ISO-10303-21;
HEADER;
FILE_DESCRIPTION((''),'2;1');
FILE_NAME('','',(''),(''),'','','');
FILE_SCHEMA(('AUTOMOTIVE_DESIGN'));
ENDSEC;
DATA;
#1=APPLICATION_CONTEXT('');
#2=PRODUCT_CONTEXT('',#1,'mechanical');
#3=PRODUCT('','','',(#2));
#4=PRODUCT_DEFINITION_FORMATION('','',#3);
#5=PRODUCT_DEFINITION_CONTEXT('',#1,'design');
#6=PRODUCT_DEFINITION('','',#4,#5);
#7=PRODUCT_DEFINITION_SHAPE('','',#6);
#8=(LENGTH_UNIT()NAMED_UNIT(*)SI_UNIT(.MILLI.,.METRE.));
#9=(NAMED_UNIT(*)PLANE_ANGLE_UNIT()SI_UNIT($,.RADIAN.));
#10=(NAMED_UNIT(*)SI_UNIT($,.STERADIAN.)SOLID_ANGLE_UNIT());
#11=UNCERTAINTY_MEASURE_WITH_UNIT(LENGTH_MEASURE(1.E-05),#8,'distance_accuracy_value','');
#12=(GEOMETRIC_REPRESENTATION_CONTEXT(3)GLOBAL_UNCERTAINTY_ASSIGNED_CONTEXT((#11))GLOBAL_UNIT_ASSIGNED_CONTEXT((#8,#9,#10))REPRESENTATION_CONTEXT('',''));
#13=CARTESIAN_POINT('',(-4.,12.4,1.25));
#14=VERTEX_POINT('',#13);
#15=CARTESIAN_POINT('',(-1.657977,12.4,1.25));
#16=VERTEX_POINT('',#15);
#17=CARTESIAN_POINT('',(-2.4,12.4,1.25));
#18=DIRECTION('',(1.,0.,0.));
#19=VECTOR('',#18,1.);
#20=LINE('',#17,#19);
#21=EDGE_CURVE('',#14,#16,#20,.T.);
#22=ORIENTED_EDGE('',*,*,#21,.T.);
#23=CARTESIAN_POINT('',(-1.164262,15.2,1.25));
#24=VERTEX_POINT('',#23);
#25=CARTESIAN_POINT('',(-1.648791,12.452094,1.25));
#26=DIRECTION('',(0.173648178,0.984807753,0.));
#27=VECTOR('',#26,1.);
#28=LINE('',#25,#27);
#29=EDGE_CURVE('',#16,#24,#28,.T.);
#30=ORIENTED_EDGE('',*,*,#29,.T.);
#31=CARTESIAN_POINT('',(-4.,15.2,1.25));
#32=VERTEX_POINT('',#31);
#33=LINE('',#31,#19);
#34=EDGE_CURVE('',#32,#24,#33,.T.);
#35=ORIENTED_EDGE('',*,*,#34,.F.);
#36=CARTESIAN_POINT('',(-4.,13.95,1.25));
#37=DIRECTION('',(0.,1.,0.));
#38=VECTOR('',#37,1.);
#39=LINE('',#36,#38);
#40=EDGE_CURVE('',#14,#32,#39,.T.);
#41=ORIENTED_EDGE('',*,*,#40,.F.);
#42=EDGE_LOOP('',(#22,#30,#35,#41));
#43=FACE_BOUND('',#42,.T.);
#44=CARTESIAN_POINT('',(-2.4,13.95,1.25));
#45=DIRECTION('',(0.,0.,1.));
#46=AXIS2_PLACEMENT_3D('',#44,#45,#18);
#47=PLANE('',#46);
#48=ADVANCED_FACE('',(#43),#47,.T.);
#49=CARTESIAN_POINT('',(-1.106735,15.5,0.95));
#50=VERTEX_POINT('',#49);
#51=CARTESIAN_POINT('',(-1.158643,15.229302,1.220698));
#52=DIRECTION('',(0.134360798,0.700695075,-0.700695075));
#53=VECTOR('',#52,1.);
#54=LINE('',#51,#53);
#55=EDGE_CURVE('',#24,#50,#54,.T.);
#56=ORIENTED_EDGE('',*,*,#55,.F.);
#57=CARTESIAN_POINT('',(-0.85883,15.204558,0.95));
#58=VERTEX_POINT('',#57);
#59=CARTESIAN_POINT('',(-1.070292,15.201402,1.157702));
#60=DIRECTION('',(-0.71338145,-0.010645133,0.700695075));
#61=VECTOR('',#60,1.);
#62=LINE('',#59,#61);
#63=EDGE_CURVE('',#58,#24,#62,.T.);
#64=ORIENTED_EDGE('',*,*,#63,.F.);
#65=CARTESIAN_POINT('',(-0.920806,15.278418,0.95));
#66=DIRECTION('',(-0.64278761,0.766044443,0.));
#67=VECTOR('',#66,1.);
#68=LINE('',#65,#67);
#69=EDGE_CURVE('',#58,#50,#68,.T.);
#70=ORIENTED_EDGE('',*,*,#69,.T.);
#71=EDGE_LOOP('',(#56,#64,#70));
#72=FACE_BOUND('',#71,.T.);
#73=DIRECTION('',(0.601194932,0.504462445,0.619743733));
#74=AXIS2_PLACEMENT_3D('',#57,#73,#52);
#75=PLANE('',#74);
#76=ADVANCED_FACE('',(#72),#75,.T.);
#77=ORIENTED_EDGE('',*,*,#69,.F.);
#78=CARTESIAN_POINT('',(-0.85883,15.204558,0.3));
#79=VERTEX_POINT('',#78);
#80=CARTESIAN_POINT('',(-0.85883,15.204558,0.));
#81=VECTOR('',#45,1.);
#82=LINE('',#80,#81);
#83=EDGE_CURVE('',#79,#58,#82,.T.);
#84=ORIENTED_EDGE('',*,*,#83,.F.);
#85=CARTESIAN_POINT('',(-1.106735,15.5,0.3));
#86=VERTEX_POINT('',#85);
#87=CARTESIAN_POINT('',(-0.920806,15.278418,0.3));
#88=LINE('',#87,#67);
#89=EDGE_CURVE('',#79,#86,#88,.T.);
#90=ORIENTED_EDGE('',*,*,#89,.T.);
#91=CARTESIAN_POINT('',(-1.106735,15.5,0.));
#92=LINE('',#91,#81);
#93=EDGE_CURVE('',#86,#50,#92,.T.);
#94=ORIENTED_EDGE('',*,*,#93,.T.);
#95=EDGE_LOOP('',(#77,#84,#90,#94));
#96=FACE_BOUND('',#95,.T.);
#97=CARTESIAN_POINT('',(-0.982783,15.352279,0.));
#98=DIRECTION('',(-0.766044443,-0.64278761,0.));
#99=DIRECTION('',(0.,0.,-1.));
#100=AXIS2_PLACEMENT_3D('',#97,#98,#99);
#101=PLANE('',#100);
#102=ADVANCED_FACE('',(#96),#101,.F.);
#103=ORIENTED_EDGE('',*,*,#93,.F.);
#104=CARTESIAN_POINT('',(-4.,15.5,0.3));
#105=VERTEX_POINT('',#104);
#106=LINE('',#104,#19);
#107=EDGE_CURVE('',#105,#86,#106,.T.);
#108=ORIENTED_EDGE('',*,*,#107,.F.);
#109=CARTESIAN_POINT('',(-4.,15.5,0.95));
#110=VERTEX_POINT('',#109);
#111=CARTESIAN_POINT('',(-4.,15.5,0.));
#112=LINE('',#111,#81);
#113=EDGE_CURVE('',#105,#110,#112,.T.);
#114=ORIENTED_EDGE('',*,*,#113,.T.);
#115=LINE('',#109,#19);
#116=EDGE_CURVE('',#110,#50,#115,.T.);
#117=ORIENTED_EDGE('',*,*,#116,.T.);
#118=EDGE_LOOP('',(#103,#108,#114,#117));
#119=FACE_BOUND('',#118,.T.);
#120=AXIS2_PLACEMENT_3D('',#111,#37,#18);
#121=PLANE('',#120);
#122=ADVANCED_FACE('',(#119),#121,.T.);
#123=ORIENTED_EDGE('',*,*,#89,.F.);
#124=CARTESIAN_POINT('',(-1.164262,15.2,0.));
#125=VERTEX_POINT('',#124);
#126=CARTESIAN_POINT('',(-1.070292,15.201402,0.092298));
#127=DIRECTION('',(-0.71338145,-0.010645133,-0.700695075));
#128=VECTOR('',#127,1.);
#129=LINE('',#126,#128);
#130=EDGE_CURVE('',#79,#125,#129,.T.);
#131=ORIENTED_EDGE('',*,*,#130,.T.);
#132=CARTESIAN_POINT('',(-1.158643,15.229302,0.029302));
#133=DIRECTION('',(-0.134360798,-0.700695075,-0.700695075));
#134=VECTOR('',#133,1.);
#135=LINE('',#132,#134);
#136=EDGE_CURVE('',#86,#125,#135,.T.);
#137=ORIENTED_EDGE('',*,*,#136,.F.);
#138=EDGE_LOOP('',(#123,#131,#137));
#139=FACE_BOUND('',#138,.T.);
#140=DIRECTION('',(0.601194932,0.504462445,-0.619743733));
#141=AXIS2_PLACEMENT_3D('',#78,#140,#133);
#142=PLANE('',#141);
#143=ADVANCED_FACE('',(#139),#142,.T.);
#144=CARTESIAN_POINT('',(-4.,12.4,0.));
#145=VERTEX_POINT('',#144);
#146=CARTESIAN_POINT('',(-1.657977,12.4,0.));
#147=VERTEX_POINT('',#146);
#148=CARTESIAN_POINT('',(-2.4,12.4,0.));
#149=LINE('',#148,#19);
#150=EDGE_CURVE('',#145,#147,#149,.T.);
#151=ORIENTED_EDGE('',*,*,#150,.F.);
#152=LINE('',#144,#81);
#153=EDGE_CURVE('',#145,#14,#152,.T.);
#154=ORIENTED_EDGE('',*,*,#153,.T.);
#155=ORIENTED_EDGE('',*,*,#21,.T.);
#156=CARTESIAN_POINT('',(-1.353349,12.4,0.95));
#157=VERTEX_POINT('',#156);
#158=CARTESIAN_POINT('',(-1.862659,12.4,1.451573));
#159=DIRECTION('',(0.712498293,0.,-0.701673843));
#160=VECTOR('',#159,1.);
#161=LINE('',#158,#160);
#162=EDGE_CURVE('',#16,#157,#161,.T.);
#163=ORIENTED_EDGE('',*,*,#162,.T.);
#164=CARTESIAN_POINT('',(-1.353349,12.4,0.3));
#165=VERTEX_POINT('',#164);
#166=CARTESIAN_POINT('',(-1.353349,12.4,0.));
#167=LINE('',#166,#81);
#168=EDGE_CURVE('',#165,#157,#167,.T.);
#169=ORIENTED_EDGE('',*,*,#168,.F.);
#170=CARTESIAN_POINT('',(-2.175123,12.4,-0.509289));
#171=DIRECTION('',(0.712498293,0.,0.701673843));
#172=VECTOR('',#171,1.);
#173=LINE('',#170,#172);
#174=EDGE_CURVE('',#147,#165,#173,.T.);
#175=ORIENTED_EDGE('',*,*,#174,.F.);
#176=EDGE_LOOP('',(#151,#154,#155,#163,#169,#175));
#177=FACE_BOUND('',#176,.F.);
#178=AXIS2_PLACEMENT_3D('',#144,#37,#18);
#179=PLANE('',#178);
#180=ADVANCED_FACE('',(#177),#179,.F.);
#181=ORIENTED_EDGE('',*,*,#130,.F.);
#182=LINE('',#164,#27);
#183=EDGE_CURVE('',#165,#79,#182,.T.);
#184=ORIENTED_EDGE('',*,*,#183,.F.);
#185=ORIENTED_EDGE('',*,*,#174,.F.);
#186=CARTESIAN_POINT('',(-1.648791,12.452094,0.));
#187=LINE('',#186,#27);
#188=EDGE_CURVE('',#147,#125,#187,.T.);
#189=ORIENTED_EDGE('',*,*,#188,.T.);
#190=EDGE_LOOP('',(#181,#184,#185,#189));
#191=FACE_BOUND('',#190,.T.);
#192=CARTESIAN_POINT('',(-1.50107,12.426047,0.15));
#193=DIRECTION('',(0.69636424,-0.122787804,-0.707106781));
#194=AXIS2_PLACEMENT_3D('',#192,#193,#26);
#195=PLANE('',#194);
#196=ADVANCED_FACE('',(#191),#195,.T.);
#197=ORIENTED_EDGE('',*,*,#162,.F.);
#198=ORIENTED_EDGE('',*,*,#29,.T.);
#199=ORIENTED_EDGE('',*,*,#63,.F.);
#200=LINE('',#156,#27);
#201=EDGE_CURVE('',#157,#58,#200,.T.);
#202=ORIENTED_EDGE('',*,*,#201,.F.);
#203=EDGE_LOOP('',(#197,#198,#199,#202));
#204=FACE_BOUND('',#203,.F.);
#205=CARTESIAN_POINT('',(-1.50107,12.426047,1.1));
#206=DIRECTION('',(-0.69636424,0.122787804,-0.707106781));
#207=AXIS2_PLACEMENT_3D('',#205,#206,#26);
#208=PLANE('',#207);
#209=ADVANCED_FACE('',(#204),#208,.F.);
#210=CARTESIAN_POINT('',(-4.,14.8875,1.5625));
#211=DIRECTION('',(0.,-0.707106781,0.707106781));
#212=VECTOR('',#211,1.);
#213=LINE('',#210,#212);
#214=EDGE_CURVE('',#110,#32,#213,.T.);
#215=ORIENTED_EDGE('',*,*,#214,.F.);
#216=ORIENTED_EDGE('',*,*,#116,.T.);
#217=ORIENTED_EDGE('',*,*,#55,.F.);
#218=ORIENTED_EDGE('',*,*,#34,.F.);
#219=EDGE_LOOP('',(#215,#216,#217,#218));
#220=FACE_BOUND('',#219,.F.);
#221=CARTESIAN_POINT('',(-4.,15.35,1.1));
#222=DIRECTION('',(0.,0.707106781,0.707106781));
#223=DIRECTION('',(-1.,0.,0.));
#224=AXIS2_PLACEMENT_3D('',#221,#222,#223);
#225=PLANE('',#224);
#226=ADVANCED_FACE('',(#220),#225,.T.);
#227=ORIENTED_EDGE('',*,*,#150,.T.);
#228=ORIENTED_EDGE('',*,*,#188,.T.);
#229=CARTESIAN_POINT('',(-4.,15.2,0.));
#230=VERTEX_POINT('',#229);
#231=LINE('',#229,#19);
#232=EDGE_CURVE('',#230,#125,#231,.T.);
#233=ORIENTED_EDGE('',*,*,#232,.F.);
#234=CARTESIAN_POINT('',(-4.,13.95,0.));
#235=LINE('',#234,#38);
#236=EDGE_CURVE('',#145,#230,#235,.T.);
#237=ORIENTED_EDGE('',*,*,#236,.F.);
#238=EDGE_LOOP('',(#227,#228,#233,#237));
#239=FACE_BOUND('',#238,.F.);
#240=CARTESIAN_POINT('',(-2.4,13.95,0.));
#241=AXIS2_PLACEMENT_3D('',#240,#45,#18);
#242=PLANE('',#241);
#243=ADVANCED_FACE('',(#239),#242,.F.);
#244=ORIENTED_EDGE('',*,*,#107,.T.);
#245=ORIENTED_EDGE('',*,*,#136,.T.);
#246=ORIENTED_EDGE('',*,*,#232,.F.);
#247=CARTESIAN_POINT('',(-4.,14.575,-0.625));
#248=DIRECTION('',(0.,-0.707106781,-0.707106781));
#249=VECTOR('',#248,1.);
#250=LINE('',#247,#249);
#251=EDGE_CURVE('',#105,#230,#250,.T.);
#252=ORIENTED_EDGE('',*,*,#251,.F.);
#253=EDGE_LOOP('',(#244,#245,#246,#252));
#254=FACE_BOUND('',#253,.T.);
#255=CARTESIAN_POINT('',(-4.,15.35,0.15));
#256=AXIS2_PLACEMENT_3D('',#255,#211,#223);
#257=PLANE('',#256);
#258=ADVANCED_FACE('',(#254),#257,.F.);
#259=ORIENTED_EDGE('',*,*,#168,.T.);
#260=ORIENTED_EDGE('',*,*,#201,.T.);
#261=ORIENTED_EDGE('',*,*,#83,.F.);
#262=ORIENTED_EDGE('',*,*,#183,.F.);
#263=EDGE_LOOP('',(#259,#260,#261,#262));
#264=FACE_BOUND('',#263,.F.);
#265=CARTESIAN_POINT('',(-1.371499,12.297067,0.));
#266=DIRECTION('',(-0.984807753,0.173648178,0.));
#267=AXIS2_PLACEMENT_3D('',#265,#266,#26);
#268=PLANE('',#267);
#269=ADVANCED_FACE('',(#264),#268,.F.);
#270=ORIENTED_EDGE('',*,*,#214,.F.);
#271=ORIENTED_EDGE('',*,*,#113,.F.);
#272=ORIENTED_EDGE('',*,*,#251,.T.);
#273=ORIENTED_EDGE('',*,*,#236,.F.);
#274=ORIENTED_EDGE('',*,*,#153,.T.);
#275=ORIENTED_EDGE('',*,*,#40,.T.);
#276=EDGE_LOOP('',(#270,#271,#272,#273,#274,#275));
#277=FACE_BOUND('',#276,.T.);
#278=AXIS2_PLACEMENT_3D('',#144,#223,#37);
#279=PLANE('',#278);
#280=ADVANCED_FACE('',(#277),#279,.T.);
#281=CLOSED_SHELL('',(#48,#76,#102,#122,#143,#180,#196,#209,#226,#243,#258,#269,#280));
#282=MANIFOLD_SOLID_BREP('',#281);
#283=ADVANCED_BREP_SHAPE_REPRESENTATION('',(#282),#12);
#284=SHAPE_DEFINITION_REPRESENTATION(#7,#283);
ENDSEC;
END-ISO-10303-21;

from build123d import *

# Parameters (mm, degrees)
BOX004_W               = 3.2
BOX004_H               = 5.1
BOX004_DEPTH           = 1.25
BOX004_PLACEMENT_ANGLE = 10
BOX_W                  = 3.2
BOX_H                  = 3.1
BOX_DEPTH              = 1.25
CHAMFER_SIZE           = 0.3


with BuildPart() as cut002:
    # Box004 → Box004 (new body)
    with BuildSketch(Plane.XY):
        with Locations((1.6, 2.55)):
            Rectangle(BOX004_W, BOX004_H)
    extrude(amount=BOX004_DEPTH)


with BuildPart() as cut002_1:
    # Box004 placement: moved
    add(cut002.part.moved(Location((-1.371499, 12.297067, 0))).rotate(Axis((-1.371499, 12.297067, 0), (0, 0, -1)), BOX004_PLACEMENT_ANGLE))


with BuildPart() as f_05mm_ext:
    # Box → Box (new body)
    with BuildSketch(Plane(origin=(-4, 12.4, 0), x_dir=(1, 0, 0), z_dir=(0, 0, 1))):
        with Locations((1.6, 1.55)):
            Rectangle(BOX_W, BOX_H)
    extrude(amount=BOX_DEPTH)

    # Cut: cut cut002
    add(cut002_1.part, mode=Mode.SUBTRACT)

    # Chamfer
    chamfer_edges = [f_05mm_ext.edges().sort_by_distance(p)[0] for p in [
        (-2.403368, 15.5, 1.25),
        (-1.080042, 13.95, 1.25),
        (-2.403368, 15.5, 0),
        (-0.806735, 15.5, 0.625),
        (-1.080042, 13.95, 0),
    ]]
    chamfer(chamfer_edges, length=CHAMFER_SIZE)


solid = f_05mm_ext.part
